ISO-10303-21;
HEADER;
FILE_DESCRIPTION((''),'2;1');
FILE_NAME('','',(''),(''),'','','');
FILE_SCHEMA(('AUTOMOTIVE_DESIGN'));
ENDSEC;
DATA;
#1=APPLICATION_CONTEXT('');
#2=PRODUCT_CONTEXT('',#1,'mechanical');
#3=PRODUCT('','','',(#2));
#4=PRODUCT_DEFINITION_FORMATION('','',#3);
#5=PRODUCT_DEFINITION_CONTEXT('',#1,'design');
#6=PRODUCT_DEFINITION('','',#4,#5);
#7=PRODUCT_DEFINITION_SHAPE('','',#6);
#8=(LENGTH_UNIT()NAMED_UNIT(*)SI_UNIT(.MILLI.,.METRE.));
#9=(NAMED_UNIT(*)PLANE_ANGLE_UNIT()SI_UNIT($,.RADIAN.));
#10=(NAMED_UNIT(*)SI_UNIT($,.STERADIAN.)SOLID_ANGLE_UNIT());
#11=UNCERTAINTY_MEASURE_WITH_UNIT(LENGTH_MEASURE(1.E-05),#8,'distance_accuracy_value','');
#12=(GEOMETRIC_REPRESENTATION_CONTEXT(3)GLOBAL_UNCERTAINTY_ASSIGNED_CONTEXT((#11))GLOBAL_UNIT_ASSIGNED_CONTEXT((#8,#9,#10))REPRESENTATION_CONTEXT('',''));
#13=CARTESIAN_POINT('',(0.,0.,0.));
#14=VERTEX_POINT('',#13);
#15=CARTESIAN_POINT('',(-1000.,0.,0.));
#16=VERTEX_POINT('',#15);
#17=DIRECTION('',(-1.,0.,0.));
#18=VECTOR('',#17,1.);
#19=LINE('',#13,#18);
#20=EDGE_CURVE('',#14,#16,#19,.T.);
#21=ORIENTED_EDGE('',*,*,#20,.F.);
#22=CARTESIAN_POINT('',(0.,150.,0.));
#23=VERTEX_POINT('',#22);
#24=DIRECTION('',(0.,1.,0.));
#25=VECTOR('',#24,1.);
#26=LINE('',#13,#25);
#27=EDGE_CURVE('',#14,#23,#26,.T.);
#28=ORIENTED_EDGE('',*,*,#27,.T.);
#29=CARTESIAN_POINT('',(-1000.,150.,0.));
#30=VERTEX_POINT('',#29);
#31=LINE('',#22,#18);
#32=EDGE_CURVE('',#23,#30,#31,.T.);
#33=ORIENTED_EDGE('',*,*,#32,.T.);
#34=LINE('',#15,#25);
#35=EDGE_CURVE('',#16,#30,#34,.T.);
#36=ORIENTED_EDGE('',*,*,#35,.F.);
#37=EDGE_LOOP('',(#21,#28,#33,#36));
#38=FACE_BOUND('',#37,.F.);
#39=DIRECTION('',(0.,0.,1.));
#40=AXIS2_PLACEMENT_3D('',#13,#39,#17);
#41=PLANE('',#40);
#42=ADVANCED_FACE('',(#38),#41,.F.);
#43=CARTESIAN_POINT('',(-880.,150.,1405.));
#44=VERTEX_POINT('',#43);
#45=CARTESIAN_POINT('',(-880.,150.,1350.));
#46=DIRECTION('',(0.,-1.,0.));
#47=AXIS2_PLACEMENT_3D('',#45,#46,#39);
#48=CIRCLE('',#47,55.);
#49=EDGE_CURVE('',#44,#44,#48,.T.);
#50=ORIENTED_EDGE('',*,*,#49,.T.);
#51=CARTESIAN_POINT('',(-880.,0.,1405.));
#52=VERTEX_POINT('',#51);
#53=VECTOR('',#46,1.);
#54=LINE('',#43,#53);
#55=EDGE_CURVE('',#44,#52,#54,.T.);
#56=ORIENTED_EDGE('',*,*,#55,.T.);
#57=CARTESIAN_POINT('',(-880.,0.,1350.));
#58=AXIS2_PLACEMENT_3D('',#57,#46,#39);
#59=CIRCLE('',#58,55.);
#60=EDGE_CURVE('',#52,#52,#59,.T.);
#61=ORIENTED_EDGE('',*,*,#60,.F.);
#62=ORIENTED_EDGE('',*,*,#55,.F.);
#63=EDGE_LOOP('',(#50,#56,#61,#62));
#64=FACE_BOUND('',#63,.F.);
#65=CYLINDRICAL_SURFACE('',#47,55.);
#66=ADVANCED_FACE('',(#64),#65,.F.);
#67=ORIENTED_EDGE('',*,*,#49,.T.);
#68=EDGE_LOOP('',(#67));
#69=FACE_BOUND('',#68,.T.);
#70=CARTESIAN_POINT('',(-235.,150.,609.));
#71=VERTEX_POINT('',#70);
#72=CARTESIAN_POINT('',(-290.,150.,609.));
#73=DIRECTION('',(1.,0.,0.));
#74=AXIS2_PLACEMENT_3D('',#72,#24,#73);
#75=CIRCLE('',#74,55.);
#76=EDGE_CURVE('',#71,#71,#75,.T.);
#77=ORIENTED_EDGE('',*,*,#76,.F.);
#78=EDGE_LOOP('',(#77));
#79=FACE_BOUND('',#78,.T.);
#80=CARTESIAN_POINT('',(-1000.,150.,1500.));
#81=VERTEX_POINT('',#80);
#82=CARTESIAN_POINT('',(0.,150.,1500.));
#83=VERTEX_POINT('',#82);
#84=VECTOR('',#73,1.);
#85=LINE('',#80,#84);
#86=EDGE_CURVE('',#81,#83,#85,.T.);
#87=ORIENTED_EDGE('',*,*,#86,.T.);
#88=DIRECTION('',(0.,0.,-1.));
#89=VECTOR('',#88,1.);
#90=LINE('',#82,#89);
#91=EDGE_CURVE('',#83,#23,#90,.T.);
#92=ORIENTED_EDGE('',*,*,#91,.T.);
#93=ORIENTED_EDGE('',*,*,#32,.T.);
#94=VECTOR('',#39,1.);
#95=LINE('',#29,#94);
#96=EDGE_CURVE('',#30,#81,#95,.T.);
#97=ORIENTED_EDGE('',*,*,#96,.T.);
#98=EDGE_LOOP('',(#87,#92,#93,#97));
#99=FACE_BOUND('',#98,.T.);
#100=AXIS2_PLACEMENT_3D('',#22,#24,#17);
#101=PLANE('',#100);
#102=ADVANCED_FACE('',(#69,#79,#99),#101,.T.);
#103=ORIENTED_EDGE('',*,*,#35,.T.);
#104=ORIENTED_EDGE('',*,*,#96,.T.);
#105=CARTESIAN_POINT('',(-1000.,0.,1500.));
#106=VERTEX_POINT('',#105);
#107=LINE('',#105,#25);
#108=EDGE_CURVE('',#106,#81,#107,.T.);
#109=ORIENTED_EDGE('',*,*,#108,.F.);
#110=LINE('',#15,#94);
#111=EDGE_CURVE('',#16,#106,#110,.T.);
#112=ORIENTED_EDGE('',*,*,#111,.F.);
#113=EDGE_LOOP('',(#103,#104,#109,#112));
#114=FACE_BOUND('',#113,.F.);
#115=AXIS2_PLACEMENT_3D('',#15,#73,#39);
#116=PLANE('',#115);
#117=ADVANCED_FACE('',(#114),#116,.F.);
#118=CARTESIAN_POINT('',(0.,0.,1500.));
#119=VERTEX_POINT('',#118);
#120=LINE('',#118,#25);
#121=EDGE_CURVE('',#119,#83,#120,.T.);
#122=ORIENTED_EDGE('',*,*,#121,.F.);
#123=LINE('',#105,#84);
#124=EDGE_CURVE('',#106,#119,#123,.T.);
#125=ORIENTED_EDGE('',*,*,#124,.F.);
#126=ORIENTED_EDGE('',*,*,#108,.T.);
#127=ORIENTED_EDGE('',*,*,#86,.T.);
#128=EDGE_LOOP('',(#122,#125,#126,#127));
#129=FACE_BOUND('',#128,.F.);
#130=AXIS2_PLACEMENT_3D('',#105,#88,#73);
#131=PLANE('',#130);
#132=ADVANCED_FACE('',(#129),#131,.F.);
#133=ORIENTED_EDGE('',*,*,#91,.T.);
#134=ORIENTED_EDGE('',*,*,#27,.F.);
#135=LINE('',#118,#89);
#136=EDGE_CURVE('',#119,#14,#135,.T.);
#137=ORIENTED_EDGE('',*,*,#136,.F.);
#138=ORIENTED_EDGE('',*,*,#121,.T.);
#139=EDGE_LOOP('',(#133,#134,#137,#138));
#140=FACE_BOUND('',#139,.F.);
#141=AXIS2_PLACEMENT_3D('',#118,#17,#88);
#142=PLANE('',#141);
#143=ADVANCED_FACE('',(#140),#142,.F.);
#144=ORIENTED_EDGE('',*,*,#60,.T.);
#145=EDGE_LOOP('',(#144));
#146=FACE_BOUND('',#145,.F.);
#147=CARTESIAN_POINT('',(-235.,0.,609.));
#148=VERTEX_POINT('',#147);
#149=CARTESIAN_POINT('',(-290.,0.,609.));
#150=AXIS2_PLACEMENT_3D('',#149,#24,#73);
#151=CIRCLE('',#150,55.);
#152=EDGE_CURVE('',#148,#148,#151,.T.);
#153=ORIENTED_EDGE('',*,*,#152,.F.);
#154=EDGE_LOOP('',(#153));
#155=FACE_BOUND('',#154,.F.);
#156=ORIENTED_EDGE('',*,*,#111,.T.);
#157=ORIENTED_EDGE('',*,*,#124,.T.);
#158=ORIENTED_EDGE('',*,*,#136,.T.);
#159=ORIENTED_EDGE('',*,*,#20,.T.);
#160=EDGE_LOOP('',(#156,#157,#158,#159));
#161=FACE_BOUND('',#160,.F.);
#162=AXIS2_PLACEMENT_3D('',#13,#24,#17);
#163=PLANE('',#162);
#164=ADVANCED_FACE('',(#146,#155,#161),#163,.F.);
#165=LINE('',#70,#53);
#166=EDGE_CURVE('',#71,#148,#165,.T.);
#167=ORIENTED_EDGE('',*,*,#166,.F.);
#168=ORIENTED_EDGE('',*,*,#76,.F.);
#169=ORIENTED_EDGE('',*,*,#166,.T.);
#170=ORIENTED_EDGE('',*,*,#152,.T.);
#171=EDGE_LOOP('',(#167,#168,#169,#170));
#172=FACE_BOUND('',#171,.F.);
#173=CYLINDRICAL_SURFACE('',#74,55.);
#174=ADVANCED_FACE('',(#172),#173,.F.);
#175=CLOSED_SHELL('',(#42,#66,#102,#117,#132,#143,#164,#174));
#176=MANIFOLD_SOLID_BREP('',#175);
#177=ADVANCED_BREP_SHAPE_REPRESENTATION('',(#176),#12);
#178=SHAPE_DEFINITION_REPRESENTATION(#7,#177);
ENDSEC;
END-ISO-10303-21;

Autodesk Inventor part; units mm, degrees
ref_plane "YZ Plane" through (0, 0, 0) normal (1, 0, 0) x (0, 1, 0)
ref_plane "XZ Plane" through (0, 0, 0) normal (0, 1, 0) x (-1, 0, 0)
ref_plane "XY Plane" through (0, 0, 0) normal (0, 0, 1) x (1, 0, 0)
sketch "Sketch1" plane through (0, 0, 0) normal (0, 1, 0) x (-1, 0, 0)
  line L0 (0, 0) -> (1000, 0)
  line L1 (1000, 0) -> (1000, 1500)
  line L2 (1000, 1500) -> (0, 1500)
  line L3 (0, 1500) -> (0, 0)
  dimension "d0" = 1000
  dimension "d1" = 1500
extrude "base" add sketch "Sketch1" along normal blind 150
sketch "Sketch2" plane through (0, 150, 0) normal (0, 1, 0) x (1, 0, 0)
  circle A0 centre (-290, -609) radius 55
  line L0 (0, 0) -> (-1000, 0) projected
  line L1 (0, -1500) -> (0, 0) projected
  dimension "d4" = 110
  dimension "d38" = 609
  dimension "d62" = 290
extrude "air" cut sketch "Sketch2" against normal through all
sketch "Sketch6" plane through (0, 150, 0) normal (0, 1, 0) x (1, 0, 0)
  line L0 (-1000, 0) -> (-1000, -1500) projected
  circle A0 centre (-880, -1350) radius 55
  line L1 (-1000, -1500) -> (0, -1500) projected
  dimension "d56" = 110
  dimension "d60" = 150
  dimension "d61" = 120
hole "air2" at (-880, 150, 1350) direction (0, -1, 0) diameter 110 end through all
properties part number "plinth" material "Concrete"
